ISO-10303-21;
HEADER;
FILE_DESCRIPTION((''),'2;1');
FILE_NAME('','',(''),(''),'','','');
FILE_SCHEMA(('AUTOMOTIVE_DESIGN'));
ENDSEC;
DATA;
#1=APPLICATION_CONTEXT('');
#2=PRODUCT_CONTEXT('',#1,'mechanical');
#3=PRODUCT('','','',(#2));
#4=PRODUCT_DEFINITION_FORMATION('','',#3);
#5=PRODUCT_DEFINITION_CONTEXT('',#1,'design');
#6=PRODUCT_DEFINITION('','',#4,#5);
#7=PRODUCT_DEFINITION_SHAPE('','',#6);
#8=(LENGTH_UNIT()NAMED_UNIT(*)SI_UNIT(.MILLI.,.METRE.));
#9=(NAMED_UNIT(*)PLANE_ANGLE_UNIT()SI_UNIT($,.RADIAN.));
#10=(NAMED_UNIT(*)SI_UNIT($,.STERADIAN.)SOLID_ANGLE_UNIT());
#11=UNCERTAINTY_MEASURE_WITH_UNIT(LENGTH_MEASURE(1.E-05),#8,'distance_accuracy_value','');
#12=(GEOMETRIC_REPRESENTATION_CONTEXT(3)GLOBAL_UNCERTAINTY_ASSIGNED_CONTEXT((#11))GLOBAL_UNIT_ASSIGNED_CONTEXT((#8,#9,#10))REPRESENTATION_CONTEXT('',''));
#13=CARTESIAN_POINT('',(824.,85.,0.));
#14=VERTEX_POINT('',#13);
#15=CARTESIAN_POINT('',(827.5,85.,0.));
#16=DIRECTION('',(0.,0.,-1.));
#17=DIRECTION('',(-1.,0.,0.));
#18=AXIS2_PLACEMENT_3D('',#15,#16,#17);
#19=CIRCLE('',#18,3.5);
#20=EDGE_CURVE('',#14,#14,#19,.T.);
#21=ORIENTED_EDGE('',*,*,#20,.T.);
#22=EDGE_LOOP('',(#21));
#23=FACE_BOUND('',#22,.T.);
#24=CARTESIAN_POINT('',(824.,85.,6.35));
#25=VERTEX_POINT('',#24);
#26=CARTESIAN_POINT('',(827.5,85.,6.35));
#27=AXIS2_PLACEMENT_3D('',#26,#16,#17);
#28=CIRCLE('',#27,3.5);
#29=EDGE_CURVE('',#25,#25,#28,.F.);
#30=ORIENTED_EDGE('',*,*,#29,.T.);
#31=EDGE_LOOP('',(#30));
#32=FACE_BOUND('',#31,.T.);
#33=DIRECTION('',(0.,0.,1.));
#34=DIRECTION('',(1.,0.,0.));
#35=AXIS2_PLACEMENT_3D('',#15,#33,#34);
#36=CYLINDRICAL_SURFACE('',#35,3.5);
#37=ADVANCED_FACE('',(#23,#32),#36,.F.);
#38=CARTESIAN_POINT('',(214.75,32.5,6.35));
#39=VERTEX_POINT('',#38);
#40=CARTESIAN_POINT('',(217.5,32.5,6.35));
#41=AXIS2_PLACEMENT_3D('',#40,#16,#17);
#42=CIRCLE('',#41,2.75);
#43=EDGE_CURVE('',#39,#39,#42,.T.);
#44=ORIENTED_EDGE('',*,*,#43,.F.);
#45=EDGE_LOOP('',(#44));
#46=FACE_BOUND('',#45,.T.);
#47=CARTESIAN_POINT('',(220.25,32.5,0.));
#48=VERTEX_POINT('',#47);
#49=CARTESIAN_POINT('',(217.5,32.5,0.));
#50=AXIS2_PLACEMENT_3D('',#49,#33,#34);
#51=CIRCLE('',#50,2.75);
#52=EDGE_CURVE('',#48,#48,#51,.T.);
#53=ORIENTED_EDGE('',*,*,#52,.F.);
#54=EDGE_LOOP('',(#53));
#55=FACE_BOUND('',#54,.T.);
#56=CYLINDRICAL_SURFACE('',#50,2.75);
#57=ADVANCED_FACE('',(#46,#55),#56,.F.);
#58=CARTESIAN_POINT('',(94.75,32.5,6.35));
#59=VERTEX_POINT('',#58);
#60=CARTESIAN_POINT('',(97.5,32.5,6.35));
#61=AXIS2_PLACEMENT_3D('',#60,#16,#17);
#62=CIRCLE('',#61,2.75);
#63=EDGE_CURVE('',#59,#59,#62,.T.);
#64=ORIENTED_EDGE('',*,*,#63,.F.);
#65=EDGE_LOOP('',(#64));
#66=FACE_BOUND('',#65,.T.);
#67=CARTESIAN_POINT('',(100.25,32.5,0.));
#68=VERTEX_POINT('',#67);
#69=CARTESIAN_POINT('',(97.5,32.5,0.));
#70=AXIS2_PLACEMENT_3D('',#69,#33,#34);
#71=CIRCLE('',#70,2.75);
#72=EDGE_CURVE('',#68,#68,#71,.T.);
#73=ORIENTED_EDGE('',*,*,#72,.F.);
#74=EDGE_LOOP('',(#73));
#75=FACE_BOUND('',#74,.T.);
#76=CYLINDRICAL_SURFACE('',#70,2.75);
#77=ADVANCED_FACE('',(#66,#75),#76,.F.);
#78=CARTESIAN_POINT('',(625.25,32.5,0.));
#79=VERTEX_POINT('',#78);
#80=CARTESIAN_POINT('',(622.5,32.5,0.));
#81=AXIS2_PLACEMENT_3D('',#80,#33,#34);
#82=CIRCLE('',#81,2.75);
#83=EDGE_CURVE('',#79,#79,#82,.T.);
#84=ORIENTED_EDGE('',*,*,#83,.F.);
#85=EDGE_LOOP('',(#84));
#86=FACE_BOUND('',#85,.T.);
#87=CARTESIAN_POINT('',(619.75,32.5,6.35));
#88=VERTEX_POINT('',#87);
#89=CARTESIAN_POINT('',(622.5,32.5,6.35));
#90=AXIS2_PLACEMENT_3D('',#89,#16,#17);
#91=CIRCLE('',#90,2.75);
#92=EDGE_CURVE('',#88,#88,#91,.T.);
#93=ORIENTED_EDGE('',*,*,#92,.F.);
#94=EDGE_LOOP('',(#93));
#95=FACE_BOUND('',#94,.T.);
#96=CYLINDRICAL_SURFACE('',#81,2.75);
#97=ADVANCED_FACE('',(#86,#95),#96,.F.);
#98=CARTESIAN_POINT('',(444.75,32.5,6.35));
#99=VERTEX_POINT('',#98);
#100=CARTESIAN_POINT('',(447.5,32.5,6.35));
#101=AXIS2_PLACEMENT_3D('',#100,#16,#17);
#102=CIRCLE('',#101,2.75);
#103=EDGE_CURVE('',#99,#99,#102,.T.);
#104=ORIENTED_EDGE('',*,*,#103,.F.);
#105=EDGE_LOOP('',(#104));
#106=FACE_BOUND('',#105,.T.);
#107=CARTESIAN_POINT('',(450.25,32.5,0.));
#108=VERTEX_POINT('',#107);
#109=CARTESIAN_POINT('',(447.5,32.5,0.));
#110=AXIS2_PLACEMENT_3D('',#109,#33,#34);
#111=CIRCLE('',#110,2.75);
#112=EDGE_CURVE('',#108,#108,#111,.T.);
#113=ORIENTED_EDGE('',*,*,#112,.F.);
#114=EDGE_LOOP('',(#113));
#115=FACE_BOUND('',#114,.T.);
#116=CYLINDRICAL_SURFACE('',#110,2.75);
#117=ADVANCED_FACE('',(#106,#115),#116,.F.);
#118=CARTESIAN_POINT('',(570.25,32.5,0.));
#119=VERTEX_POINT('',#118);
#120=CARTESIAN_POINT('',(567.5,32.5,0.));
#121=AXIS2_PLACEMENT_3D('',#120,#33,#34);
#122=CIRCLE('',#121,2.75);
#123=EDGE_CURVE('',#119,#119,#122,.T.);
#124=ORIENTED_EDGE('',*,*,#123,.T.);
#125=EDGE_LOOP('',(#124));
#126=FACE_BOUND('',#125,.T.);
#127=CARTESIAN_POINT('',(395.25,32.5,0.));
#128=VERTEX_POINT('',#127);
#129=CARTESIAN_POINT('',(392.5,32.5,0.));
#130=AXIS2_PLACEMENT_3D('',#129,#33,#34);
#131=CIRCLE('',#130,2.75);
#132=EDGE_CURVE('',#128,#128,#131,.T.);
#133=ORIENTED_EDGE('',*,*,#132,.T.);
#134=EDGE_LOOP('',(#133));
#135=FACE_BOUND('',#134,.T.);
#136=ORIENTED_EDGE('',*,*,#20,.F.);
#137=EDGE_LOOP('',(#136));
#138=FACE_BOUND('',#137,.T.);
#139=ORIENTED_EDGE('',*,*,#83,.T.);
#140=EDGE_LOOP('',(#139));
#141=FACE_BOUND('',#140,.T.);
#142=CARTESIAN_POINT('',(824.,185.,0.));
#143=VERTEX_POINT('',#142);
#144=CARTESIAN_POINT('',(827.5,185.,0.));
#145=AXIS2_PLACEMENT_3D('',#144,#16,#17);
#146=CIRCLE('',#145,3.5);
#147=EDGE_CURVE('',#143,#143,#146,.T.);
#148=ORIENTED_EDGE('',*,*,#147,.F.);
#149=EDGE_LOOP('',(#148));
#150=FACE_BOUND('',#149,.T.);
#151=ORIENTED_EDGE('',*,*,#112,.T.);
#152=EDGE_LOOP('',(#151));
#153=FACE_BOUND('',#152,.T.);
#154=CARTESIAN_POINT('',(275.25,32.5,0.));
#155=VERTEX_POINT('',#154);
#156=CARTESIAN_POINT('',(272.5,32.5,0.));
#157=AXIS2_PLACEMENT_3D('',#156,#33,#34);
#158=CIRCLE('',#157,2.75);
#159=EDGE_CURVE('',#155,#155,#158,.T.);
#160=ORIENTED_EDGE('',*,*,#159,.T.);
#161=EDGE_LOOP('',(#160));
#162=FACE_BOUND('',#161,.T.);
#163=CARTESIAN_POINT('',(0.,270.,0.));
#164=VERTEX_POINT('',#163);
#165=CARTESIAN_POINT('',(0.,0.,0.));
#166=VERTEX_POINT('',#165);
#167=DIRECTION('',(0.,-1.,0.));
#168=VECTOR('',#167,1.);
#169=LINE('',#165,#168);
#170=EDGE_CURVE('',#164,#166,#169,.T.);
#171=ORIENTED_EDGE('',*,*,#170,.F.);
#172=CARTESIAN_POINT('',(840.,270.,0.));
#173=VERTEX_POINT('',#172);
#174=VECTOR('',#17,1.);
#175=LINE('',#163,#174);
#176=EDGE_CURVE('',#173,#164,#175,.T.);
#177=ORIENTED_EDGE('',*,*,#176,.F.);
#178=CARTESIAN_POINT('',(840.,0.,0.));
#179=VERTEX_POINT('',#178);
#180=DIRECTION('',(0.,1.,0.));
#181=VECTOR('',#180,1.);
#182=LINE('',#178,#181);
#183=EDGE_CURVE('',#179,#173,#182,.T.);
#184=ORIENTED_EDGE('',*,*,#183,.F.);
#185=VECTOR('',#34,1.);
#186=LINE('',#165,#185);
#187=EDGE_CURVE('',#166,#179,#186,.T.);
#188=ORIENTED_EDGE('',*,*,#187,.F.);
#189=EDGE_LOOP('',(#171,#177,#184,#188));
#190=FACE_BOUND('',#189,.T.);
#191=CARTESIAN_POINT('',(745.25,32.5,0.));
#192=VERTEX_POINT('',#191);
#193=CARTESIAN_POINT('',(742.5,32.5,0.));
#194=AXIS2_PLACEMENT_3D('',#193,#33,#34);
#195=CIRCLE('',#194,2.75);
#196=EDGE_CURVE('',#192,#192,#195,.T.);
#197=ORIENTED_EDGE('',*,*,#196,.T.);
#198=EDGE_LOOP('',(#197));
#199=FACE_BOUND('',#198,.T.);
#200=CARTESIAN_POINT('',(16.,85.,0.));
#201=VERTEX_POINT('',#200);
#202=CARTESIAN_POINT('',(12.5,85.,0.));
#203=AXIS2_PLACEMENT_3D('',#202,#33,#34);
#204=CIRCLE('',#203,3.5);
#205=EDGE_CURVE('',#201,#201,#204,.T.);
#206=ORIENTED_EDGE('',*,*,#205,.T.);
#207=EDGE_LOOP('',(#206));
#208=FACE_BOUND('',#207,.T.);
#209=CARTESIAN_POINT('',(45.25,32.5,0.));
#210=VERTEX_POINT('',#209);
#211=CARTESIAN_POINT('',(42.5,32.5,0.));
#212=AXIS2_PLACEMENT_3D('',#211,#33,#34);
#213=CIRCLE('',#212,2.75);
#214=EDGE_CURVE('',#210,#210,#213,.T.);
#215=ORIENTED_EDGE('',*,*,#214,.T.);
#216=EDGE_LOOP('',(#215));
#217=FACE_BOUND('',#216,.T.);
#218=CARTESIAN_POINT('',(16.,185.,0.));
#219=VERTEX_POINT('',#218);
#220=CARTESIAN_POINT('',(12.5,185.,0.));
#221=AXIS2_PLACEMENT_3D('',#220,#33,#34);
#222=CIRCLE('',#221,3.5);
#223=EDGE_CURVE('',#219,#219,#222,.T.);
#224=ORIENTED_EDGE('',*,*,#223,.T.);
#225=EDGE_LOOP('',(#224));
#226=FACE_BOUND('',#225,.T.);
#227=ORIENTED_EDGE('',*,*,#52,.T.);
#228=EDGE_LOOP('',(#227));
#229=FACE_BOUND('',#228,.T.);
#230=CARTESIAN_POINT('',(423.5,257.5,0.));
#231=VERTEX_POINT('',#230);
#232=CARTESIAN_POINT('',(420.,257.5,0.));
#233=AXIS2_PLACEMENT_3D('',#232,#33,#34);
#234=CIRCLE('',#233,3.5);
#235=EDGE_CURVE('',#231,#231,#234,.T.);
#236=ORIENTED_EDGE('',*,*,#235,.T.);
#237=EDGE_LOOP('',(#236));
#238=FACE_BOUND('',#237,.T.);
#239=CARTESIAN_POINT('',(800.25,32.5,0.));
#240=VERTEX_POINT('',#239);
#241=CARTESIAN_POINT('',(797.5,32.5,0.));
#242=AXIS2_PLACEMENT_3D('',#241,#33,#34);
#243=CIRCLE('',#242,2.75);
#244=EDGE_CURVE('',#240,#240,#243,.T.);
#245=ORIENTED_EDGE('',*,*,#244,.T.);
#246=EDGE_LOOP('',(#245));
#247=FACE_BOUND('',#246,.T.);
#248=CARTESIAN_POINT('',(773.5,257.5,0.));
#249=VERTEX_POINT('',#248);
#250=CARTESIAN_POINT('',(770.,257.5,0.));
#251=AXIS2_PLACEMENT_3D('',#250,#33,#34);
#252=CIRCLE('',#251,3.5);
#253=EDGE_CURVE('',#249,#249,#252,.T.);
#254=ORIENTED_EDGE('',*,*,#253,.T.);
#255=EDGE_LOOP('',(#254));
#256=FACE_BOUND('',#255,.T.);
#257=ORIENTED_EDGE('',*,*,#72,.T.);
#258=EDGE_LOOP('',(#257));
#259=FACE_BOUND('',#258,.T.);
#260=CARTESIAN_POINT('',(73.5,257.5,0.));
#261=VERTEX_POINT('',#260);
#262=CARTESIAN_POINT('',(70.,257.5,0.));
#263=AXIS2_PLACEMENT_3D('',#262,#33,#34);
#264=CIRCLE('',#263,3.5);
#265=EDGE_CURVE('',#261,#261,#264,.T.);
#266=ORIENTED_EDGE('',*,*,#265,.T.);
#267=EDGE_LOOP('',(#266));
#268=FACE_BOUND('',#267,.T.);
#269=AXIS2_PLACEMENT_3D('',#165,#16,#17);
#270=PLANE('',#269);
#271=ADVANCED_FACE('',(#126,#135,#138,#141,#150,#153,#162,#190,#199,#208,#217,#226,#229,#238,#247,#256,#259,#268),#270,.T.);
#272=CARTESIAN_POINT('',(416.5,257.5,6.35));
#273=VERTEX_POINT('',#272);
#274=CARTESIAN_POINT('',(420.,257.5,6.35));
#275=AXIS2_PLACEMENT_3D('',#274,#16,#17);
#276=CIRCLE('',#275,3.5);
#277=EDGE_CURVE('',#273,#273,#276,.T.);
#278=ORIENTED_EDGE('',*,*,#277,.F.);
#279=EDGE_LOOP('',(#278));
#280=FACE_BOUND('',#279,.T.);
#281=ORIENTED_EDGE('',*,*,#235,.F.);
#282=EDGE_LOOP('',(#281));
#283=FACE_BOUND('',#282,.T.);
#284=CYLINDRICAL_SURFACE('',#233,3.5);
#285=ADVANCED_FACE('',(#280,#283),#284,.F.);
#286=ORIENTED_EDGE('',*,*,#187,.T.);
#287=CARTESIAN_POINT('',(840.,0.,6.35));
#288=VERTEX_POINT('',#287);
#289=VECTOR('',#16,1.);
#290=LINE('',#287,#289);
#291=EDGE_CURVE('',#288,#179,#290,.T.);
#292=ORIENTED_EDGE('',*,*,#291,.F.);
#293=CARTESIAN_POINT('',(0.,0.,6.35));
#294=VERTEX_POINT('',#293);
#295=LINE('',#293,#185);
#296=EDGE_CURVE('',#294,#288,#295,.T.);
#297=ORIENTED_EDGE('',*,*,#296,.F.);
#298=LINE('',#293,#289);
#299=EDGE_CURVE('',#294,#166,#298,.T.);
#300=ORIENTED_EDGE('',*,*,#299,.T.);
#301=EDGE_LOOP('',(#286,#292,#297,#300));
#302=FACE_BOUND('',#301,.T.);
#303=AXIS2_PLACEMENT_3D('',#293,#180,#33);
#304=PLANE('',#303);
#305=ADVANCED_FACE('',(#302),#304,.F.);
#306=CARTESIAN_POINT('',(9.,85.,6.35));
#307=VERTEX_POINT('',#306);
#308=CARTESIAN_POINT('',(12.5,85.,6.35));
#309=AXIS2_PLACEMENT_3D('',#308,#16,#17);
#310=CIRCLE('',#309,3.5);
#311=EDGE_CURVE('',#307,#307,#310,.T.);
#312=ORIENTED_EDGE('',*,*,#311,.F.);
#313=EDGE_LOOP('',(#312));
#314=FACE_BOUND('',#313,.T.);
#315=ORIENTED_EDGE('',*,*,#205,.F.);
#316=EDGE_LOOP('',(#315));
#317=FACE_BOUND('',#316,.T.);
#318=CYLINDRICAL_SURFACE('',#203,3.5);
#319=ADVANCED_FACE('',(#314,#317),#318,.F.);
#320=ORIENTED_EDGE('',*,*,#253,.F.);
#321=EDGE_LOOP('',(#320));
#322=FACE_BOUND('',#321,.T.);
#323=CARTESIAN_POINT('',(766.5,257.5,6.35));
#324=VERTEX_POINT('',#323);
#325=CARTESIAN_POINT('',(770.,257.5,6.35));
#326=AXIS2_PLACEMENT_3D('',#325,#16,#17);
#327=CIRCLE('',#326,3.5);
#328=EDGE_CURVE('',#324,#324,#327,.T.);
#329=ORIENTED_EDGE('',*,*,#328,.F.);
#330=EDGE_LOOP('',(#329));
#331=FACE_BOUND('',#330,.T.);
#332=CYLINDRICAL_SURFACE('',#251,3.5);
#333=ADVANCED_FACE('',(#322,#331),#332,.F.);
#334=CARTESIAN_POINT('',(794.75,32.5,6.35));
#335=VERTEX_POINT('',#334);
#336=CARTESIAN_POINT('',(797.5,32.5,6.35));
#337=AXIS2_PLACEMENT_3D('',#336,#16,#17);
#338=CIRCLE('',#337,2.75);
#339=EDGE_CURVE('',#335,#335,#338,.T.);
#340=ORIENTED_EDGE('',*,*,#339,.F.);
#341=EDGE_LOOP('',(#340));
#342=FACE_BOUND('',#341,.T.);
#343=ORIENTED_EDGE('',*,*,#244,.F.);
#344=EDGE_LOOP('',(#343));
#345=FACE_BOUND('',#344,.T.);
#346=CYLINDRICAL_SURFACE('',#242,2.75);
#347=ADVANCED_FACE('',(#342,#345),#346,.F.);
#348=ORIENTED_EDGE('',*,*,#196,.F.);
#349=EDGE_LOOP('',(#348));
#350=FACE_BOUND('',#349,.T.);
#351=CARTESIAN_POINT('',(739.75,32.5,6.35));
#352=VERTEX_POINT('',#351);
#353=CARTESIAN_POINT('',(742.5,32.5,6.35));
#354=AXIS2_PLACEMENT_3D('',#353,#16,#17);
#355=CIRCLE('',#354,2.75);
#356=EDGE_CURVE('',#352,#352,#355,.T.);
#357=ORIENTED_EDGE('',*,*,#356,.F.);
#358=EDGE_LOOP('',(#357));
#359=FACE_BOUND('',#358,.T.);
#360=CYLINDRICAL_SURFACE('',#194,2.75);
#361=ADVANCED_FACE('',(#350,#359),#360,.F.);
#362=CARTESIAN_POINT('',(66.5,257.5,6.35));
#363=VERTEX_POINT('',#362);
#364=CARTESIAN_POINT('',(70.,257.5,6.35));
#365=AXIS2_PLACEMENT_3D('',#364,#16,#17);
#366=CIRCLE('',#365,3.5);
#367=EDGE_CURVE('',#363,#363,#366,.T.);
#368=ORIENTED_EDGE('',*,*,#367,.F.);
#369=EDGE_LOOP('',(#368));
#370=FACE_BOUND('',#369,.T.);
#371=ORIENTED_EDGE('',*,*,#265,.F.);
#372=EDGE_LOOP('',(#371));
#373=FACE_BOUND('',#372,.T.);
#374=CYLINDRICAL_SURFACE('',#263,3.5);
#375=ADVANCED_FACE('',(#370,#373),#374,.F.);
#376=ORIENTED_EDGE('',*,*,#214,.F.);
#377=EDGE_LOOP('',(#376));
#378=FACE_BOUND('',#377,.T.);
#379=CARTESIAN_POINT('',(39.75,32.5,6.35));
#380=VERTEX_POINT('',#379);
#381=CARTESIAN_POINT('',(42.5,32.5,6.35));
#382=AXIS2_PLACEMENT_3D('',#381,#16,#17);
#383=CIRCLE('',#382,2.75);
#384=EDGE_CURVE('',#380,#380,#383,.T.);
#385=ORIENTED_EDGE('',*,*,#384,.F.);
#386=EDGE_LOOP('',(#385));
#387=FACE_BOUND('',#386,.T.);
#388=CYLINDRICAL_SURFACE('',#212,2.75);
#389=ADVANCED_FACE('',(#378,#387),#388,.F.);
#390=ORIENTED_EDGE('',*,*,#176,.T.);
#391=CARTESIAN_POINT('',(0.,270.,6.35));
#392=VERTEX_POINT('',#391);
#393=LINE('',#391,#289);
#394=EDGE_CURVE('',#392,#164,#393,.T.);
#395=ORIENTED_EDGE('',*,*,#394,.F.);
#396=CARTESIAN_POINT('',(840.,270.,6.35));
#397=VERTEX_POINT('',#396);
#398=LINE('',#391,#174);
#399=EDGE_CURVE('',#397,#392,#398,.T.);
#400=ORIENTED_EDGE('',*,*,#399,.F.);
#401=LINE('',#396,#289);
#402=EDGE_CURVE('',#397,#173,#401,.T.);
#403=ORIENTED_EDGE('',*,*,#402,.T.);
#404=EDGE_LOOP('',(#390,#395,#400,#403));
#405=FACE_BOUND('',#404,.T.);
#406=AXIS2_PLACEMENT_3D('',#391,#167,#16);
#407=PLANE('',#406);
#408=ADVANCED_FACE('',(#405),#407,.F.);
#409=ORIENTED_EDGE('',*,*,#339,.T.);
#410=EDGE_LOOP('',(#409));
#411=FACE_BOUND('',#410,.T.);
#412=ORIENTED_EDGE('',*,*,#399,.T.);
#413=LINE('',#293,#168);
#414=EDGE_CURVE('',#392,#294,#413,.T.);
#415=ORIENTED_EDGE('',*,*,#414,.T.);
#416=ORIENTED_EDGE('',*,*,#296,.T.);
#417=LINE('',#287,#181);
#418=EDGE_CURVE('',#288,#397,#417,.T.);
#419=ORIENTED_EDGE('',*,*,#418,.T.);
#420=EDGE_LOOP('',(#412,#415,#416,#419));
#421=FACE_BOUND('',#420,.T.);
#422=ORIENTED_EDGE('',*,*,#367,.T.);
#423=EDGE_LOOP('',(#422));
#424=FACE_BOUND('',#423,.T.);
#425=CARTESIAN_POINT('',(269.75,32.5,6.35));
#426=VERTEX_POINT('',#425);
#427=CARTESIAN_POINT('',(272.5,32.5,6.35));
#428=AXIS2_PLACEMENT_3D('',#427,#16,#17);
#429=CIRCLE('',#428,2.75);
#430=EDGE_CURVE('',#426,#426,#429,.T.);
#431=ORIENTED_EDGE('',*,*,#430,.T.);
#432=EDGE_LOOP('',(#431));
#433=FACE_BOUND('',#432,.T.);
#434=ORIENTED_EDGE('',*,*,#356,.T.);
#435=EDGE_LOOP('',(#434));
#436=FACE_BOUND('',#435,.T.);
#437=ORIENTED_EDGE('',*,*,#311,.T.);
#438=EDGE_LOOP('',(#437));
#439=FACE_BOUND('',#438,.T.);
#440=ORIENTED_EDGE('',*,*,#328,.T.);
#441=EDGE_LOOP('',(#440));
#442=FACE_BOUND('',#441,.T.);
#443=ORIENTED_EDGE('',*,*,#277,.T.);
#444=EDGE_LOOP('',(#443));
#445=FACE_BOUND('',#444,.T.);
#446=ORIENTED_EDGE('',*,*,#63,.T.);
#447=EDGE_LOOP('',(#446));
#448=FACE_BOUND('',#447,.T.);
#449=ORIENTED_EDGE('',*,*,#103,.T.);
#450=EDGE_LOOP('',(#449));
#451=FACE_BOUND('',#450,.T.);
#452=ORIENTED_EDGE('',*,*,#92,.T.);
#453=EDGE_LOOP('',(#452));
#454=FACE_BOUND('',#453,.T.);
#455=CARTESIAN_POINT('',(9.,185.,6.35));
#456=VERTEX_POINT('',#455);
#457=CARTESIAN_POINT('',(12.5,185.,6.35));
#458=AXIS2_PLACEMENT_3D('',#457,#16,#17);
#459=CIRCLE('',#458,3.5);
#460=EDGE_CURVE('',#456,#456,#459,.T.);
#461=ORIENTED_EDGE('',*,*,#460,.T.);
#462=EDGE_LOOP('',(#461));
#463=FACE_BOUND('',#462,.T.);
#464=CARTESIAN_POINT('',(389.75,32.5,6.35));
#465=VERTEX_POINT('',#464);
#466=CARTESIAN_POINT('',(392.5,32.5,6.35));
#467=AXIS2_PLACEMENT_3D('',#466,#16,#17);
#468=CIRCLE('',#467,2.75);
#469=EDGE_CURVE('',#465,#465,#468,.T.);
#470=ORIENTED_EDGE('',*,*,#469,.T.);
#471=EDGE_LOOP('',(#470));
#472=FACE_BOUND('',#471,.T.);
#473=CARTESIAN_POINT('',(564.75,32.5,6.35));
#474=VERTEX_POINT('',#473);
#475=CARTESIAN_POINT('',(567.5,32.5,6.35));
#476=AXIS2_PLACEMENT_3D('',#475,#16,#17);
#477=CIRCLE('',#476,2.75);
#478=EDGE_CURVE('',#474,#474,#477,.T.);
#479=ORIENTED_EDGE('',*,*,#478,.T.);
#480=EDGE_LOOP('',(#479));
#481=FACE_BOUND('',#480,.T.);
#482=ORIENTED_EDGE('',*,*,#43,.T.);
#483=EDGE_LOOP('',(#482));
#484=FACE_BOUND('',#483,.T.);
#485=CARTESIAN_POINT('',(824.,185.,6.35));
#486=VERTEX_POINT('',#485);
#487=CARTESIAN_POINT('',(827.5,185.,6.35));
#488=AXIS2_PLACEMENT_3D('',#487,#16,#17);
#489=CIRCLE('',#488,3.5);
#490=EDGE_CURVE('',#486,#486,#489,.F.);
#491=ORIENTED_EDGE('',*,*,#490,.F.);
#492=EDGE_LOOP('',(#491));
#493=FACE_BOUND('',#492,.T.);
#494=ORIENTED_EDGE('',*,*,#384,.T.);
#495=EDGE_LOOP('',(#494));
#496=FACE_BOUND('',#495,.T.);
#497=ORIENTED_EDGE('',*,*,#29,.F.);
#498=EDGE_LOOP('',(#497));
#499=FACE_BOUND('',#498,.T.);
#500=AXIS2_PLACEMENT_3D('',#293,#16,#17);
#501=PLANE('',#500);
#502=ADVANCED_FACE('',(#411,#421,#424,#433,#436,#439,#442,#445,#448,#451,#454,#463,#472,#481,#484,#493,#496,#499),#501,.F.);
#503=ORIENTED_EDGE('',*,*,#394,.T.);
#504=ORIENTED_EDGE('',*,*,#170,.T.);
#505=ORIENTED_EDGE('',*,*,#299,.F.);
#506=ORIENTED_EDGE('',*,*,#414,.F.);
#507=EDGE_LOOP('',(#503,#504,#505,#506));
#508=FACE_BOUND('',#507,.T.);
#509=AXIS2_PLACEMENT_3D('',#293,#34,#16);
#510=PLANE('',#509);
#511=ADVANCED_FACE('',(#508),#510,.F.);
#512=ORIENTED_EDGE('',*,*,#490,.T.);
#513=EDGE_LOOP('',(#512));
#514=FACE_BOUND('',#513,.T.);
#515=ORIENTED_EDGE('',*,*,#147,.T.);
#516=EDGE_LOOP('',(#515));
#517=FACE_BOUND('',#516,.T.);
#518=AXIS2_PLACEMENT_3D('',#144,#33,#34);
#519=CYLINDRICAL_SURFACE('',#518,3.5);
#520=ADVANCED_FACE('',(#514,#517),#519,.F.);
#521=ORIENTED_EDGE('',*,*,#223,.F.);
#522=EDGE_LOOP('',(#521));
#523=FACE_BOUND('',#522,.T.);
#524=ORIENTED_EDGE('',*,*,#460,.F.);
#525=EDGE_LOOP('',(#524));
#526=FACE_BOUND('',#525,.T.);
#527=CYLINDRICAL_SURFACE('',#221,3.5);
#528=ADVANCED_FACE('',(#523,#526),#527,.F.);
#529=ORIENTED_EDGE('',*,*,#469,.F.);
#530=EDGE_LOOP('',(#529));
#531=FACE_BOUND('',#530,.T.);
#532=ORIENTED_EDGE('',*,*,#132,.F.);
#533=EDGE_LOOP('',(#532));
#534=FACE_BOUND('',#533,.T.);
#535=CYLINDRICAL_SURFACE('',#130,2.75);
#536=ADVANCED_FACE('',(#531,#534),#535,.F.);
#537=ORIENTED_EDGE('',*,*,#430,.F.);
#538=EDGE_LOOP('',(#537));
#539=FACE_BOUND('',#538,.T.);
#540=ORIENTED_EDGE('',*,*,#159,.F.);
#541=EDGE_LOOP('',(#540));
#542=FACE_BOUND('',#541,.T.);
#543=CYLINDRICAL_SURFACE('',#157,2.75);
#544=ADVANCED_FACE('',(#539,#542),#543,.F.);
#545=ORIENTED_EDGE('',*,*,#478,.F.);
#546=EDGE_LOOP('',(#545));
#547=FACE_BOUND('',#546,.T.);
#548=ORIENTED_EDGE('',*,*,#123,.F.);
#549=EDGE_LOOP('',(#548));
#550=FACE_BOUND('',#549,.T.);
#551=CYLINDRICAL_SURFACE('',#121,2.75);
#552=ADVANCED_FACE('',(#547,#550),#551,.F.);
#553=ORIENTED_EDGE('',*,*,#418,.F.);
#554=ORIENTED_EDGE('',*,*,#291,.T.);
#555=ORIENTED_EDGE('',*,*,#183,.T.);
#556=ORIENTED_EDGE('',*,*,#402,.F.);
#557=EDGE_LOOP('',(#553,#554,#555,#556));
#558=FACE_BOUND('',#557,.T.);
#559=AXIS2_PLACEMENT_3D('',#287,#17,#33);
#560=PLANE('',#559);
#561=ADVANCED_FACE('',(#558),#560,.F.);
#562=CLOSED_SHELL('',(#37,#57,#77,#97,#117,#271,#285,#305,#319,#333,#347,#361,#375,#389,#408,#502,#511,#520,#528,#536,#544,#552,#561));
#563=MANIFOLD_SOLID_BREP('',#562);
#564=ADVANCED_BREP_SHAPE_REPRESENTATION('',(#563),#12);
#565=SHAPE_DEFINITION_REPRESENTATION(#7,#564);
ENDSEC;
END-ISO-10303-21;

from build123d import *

# Parameters (mm, degrees)
SKETCH1_W           = 840
SKETCH1_H           = 270
BOSS_EXTRUDE1_DEPTH = 6.35
SKETCH2_R           = 3.5
SKETCH2_R_2         = 2.75
CUT_EXTRUDE1_DEPTH  = 883.349319997


with BuildPart() as part:
    # Sketch1 → Boss-Extrude1 (new body)
    with BuildSketch(Plane.XY):
        with Locations((420, 135)):
            Rectangle(SKETCH1_W, SKETCH1_H)
    extrude(amount=BOSS_EXTRUDE1_DEPTH)

    # Sketch2 → Cut-Extrude1 (cut, symmetric)
    with BuildSketch(Plane.XY.offset(6.35)):
        with Locations((70, 257.5)):
            Circle(SKETCH2_R)
        with Locations((420, 257.5)):
            Circle(SKETCH2_R)
        with Locations((770, 257.5)):
            Circle(SKETCH2_R)
        with Locations((12.5, 185)):
            Circle(SKETCH2_R)
        with Locations((12.5, 85)):
            Circle(SKETCH2_R)
        with Locations((392.5, 32.5)):
            Circle(SKETCH2_R_2)
        with Locations((447.5, 32.5)):
            Circle(SKETCH2_R_2)
        with Locations((567.5, 32.5)):
            Circle(SKETCH2_R_2)
        with Locations((622.5, 32.5)):
            Circle(SKETCH2_R_2)
        with Locations((742.5, 32.5)):
            Circle(SKETCH2_R_2)
        with Locations((797.5, 32.5)):
            Circle(SKETCH2_R_2)
        with Locations((217.5, 32.5)):
            Circle(SKETCH2_R_2)
        with Locations((272.5, 32.5)):
            Circle(SKETCH2_R_2)
        with Locations((42.5, 32.5)):
            Circle(SKETCH2_R_2)
        with Locations((97.5, 32.5)):
            Circle(SKETCH2_R_2)
    cut_extrude1 = extrude(amount=CUT_EXTRUDE1_DEPTH, both=True, mode=Mode.SUBTRACT)

    # Mirror1: Cut-Extrude1 across plane
    add(cut_extrude1.mirror(Plane.ZY.offset(-420)), mode=Mode.SUBTRACT)


solid = part.part
